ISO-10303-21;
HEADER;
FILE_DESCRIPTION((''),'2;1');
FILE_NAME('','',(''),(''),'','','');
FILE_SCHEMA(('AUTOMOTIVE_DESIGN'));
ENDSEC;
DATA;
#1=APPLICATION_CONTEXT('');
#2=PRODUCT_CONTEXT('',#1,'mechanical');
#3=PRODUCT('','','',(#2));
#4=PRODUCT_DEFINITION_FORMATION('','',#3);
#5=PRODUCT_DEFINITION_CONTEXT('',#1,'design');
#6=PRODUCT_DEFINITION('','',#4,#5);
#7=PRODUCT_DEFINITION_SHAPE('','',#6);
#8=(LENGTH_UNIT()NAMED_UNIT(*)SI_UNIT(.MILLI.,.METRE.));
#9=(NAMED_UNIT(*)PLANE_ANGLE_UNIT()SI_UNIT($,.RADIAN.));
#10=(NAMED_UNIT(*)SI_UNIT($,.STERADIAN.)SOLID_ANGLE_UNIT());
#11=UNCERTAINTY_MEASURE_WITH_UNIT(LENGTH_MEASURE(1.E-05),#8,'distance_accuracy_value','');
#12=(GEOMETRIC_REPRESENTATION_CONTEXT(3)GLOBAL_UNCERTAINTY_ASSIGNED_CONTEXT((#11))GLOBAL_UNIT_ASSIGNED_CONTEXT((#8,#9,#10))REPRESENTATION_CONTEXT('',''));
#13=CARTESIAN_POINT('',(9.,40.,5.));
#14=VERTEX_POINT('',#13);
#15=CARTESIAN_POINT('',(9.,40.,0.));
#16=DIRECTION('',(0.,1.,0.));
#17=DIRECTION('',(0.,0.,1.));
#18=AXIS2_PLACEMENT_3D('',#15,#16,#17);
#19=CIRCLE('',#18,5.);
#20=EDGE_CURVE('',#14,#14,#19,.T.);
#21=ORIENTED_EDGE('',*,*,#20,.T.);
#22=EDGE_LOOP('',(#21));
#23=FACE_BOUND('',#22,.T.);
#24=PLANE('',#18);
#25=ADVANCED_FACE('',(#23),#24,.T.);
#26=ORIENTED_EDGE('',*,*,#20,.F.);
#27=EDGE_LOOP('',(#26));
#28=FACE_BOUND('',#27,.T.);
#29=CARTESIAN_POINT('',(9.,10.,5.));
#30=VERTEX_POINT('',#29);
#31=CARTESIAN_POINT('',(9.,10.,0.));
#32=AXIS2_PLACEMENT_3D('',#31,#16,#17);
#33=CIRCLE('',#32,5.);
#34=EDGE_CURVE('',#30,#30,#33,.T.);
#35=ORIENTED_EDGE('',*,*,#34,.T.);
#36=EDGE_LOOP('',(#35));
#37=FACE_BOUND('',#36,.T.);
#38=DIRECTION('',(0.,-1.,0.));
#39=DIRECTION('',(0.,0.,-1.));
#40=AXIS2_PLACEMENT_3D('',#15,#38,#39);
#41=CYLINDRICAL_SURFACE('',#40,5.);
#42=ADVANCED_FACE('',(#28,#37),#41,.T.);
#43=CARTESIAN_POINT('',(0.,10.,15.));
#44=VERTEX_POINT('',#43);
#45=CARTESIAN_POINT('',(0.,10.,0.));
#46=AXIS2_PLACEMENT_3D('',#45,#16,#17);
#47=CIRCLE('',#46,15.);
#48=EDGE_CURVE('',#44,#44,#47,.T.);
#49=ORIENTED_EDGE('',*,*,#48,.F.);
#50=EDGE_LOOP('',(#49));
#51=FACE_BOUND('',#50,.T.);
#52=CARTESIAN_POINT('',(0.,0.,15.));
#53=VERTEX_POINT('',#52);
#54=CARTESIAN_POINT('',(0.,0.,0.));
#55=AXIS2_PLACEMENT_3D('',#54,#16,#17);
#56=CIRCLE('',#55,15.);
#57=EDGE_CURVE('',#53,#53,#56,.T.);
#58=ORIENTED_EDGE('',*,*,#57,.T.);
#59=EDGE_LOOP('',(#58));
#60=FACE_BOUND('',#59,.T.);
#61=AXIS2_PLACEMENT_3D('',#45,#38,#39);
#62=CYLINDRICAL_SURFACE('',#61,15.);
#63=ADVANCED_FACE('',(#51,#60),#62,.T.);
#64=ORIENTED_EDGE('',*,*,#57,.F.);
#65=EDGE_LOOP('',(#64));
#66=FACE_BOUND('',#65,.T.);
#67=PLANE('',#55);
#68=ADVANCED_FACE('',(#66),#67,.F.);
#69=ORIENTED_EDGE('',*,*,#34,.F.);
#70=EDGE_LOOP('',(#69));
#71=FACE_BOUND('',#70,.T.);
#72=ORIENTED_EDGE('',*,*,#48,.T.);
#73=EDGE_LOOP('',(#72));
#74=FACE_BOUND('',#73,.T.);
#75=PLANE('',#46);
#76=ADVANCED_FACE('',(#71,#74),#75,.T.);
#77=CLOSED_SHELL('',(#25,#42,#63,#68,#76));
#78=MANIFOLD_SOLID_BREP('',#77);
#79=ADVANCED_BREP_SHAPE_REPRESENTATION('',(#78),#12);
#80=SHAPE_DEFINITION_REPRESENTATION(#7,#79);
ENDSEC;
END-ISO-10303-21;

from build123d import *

# Parameters (mm, degrees)
SKETCH1_R           = 15
BOSS_EXTRUDE1_DEPTH = 10
SKETCH2_R           = 5
BOSS_EXTRUDE2_DEPTH = 30


with BuildPart() as part:
    # Sketch1 → Boss-Extrude1 (new body)
    with BuildSketch(Plane(origin=(0, 0, 0), x_dir=(1, 0, 0), z_dir=(0, 1, 0))):
        with Locations(Location((0, 0, 0), (0, 0, 270))):
            Circle(SKETCH1_R)
    extrude(amount=BOSS_EXTRUDE1_DEPTH)

    # Sketch2 → Boss-Extrude2 (add)
    with BuildSketch(Plane(origin=(0, 10, 0), x_dir=(1, 0, 0), z_dir=(0, 1, 0))):
        with Locations(Location((9, 0, 0), (0, 0, 270))):
            Circle(SKETCH2_R)
    extrude(amount=BOSS_EXTRUDE2_DEPTH)


solid = part.part
